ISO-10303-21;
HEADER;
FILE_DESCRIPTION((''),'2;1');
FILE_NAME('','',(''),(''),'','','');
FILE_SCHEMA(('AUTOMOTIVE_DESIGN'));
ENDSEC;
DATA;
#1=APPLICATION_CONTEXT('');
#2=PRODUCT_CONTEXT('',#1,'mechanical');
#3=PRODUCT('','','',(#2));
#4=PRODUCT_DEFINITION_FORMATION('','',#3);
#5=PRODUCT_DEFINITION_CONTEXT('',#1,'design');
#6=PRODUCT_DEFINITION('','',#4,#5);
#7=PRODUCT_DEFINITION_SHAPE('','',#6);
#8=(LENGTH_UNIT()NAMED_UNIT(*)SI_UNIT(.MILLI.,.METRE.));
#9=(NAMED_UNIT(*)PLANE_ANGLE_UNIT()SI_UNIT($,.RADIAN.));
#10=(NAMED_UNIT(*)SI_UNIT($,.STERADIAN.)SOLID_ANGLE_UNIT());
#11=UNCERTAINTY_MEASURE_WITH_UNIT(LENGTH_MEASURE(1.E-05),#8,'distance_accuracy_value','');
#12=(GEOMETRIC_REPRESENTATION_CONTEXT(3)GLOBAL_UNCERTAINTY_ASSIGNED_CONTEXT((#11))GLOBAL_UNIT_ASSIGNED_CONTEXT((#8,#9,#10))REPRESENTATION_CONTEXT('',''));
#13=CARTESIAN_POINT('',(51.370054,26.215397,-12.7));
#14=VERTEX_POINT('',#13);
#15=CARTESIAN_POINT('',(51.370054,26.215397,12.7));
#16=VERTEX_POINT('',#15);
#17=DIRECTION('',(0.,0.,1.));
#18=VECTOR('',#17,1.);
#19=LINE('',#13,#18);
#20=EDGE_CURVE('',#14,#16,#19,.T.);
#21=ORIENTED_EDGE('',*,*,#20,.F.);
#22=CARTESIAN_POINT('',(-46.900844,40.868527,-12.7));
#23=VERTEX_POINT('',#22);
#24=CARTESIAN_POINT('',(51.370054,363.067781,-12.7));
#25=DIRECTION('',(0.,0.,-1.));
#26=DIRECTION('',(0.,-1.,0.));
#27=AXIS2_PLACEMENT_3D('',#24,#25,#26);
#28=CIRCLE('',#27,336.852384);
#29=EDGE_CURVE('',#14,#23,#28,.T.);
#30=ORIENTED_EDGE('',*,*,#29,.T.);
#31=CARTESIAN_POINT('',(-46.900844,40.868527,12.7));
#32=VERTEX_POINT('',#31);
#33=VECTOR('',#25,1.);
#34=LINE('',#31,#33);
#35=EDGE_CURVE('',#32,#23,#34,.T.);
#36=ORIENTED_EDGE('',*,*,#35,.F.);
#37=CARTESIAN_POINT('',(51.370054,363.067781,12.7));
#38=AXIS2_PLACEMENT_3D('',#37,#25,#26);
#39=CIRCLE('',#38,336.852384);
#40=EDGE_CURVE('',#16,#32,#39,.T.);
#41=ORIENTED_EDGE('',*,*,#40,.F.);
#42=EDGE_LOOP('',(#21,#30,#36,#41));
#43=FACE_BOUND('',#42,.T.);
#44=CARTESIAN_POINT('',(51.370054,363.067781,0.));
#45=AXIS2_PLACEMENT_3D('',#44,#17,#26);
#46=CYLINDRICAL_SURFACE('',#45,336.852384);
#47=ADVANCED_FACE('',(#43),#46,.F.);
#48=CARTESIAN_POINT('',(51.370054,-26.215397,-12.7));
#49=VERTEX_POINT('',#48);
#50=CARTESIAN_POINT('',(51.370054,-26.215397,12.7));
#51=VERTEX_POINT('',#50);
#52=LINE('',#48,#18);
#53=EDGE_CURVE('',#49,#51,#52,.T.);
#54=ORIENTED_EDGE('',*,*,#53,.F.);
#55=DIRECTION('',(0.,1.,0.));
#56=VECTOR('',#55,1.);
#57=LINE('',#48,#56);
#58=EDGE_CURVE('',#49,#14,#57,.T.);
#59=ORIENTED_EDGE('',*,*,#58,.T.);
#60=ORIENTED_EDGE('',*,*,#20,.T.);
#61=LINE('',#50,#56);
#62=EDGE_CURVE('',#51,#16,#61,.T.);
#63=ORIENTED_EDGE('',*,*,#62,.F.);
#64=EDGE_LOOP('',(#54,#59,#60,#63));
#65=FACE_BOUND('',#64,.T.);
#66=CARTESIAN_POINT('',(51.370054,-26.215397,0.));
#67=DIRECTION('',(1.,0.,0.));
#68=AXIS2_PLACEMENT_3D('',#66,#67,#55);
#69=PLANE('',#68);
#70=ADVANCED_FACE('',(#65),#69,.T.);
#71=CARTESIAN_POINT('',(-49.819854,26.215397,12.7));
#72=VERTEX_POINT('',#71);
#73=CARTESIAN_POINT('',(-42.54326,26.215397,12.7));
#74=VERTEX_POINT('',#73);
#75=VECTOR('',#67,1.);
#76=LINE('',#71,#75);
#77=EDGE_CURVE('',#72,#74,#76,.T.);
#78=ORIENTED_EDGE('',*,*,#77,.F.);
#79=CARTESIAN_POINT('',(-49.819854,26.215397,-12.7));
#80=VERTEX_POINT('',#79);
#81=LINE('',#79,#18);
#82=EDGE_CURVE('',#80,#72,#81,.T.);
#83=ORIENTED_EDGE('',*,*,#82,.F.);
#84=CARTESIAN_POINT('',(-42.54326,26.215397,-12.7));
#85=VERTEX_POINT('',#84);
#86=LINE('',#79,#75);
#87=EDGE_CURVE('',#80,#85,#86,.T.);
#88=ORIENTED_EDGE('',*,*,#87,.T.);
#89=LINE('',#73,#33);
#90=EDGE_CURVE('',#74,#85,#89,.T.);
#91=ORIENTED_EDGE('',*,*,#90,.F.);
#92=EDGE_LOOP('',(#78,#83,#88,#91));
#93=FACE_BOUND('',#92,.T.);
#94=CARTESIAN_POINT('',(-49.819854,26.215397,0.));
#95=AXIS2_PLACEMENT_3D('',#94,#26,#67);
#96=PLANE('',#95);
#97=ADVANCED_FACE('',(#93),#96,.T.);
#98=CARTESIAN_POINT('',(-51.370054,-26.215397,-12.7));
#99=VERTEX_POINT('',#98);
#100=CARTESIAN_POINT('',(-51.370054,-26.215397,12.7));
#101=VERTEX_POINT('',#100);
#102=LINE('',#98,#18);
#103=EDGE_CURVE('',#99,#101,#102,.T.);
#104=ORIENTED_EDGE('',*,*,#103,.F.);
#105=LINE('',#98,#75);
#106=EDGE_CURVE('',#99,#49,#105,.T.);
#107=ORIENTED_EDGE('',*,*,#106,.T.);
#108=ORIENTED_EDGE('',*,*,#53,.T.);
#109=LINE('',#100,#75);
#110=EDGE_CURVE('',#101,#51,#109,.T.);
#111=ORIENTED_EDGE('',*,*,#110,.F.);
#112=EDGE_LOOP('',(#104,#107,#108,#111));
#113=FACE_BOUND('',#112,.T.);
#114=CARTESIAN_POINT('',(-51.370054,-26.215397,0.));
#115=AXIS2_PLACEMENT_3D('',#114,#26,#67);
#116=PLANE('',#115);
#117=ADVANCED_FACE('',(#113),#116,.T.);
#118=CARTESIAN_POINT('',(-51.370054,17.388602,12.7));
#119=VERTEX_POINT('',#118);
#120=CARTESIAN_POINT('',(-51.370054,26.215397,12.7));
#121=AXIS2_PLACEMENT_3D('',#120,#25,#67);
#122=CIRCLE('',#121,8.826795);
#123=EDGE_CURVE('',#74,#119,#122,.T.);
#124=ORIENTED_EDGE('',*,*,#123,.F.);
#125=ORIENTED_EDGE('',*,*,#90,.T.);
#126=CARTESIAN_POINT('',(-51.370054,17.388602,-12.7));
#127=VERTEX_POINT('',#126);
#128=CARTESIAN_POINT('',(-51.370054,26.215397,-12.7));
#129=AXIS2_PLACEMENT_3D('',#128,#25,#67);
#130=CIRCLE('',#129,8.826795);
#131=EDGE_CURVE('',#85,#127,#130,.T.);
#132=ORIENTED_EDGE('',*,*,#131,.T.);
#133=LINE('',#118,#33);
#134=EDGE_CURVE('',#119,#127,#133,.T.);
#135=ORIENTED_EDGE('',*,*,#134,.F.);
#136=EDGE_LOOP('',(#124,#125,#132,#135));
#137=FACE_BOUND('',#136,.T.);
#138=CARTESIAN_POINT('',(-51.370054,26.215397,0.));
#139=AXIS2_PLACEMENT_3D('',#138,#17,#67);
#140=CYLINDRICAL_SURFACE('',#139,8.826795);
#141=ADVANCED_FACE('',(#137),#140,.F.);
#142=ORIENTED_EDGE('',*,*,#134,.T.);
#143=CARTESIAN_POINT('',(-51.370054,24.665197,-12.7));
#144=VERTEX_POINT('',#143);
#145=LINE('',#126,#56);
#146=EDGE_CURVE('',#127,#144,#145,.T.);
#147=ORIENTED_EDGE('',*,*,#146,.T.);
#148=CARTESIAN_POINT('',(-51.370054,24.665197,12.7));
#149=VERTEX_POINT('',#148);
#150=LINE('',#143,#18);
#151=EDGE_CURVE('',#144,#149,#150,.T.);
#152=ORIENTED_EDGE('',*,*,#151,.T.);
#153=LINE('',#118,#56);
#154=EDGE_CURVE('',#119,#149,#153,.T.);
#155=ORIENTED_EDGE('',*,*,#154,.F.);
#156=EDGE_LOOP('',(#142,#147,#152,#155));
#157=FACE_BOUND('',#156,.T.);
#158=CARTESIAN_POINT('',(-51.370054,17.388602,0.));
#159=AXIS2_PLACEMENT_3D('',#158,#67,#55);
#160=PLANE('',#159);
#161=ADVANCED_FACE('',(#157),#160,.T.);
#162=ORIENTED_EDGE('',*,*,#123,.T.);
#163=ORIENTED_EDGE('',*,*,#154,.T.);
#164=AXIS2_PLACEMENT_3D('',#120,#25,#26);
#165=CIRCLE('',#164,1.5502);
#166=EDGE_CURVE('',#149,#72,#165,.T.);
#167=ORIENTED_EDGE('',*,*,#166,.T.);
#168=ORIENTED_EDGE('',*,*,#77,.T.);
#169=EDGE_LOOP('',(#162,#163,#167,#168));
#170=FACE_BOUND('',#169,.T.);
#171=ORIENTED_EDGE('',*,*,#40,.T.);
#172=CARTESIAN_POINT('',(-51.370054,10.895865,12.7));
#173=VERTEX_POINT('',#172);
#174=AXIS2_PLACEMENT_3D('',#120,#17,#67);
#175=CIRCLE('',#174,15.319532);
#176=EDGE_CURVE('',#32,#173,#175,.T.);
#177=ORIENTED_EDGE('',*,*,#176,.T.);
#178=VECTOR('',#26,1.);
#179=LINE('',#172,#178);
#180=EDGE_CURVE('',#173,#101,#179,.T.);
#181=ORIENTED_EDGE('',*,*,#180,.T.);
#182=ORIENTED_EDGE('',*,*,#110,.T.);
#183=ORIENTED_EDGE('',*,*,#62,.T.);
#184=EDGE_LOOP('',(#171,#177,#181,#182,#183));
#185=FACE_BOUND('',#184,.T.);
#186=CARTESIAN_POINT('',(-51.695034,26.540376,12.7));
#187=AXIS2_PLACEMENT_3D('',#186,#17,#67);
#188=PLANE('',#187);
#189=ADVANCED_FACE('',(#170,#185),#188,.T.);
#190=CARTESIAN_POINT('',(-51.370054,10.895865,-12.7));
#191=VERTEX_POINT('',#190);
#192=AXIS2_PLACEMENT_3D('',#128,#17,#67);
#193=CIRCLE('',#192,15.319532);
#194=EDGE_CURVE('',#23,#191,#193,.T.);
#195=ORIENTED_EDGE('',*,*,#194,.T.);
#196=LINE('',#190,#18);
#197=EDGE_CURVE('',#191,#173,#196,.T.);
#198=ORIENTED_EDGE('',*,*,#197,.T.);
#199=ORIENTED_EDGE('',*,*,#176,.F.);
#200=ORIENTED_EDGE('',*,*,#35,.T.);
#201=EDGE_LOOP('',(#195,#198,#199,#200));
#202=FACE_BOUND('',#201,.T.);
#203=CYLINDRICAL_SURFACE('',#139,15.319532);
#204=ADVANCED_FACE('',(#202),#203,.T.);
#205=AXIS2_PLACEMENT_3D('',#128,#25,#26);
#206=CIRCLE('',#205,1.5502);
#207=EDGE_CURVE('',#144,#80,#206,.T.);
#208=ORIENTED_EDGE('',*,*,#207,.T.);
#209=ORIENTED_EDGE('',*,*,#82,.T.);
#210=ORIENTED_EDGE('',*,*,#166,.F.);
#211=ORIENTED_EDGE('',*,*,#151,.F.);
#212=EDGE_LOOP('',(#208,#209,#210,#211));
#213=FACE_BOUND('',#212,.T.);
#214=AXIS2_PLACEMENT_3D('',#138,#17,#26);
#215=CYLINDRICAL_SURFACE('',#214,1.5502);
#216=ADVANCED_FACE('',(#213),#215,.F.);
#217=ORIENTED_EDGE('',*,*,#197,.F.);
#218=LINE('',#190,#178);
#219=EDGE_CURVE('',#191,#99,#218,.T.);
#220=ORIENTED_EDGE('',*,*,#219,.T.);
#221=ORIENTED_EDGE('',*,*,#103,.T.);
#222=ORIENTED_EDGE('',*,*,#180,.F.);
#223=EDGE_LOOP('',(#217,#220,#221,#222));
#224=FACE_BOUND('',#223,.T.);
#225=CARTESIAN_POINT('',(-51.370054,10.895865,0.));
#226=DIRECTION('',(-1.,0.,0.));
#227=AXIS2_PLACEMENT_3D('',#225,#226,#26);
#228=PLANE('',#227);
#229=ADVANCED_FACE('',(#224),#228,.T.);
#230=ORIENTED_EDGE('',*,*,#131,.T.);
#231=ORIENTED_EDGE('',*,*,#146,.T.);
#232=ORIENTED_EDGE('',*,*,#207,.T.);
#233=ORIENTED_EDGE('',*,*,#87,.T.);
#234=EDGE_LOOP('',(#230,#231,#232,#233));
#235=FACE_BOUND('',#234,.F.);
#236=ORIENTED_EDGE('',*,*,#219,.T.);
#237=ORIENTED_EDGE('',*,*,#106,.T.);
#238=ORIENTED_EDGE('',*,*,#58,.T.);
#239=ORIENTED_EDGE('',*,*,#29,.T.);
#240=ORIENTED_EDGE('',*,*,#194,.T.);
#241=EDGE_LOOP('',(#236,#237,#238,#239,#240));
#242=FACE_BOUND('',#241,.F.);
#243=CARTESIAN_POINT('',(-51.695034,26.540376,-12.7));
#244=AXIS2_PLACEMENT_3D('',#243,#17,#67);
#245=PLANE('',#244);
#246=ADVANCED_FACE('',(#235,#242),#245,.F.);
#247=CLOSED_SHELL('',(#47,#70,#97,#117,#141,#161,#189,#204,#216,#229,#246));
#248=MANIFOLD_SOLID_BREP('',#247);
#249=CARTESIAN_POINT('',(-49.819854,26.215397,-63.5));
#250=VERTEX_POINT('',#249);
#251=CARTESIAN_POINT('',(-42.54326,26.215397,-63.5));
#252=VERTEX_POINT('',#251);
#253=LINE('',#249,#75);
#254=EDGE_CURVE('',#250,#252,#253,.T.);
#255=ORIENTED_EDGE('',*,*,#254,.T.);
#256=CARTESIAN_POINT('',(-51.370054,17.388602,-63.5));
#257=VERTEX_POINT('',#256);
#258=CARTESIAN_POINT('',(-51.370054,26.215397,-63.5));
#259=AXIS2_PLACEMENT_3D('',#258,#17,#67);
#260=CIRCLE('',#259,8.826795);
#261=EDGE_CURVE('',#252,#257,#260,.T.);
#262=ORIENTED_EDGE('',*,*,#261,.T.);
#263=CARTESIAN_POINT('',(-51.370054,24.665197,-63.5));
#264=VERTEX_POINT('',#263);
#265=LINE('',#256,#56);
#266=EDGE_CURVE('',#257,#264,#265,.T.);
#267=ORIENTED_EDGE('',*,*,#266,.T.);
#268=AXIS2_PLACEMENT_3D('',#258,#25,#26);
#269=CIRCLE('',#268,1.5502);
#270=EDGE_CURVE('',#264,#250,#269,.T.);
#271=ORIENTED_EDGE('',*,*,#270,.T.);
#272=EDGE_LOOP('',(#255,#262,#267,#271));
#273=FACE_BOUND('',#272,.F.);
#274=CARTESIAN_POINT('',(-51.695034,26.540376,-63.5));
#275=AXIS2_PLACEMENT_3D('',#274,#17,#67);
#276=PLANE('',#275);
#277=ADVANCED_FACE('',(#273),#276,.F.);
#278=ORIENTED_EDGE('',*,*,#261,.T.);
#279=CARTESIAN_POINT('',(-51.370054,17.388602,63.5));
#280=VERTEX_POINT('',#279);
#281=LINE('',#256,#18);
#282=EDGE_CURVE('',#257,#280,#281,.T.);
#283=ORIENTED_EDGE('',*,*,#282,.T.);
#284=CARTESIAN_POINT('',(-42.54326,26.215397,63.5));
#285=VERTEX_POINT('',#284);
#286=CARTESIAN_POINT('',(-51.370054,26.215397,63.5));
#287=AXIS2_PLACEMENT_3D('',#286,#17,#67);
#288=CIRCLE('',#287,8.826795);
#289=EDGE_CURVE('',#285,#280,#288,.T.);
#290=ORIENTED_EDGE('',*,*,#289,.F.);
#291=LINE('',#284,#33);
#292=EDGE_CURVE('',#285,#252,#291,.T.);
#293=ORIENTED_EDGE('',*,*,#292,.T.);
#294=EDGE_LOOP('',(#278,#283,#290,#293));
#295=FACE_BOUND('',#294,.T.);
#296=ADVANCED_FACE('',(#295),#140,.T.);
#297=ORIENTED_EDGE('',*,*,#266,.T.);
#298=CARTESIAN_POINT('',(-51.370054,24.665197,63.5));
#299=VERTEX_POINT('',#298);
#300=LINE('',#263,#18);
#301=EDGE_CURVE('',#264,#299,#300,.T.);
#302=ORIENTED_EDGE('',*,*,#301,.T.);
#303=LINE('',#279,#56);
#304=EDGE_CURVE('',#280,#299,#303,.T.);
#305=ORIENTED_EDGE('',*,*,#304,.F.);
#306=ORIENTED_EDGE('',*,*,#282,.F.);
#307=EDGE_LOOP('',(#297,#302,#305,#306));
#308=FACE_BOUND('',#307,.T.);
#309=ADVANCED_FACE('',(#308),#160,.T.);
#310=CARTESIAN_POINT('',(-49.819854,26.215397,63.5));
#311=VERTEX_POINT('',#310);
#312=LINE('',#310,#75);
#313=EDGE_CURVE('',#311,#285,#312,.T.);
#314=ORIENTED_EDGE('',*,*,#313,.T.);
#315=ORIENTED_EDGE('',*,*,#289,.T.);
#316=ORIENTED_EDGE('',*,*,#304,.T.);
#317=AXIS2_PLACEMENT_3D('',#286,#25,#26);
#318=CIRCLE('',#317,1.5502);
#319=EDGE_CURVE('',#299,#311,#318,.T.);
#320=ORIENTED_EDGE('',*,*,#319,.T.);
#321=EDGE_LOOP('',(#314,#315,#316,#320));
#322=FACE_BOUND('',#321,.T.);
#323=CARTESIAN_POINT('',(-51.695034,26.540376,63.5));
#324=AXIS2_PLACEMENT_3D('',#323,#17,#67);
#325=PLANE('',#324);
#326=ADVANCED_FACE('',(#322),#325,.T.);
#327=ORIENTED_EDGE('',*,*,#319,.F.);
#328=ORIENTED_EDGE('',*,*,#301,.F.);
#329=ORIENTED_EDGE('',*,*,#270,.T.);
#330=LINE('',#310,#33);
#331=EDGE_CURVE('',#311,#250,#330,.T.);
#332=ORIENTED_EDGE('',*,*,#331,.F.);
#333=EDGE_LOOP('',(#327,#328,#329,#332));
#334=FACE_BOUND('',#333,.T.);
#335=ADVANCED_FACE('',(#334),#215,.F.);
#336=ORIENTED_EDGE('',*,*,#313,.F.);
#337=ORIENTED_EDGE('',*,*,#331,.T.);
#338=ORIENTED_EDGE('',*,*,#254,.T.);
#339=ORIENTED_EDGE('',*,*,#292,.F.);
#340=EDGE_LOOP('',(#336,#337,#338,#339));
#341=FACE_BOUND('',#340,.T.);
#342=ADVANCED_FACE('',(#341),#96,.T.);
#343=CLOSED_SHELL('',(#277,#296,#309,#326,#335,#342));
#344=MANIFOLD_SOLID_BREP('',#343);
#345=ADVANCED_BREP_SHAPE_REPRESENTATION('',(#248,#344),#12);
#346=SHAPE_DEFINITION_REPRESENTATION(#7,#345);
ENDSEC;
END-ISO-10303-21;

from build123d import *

# Parameters (mm, degrees)
F1_DEPTH = 12.7
F2_DEPTH = 63.5


with BuildPart() as f1:
    # F0 (on Top) → F1 (new body, symmetric)
    with BuildSketch(Plane.XY):
        with BuildLine():
            ThreePointArc((-42.5432599009, 26.2153968215), (-57.6115407888, 32.4568831269), (-51.3700544834, 17.388602239))
            Line((-51.3700544834, 17.388602239), (-51.3700544834, 24.6651966494))
            ThreePointArc((-51.3700544834, 24.6651966494), (-52.4662115373, 27.3115538754), (-49.8198543113, 26.2153968215))
            Line((-49.8198543113, 26.2153968215), (-42.5432599009, 26.2153968215))
        make_face()
        with BuildLine():
            Line((-51.3700544834, 17.388602239), (-51.3700544834, 10.8958645758))
            ThreePointArc((-51.3700544834, 10.8958645758), (-40.5375093479, 15.382851686), (-36.0505222377, 26.2153968215))
            Line((-36.0505222377, 26.2153968215), (-42.5432599009, 26.2153968215))
            ThreePointArc((-42.5432599009, 26.2153968215), (-45.128568178, 19.9739105161), (-51.3700544834, 17.388602239))
        make_face()
        with BuildLine():
            Line((-36.0505222377, 26.2153968215), (51.3700544834, 26.2153968215))
            ThreePointArc((51.3700544834, 26.2153968215), (1.6913776704, 29.8988181648), (-46.9008440242, 40.8685270706))
            ThreePointArc((-46.9008440242, 40.8685270706), (-39.0583876188, 35.3319162912), (-36.0505222377, 26.2153968215))
        make_face()
        with BuildLine():
            ThreePointArc((-46.9008440242, 40.8685270706), (-66.5220703489, 28.4747072113), (-51.3700544834, 10.8958645758))
            Line((-51.3700544834, 10.8958645758), (-51.3700544834, 17.388602239))
            ThreePointArc((-51.3700544834, 17.388602239), (-57.6115407888, 32.4568831269), (-42.5432599009, 26.2153968215))
            Line((-42.5432599009, 26.2153968215), (-36.0505222377, 26.2153968215))
            ThreePointArc((-36.0505222377, 26.2153968215), (-39.0583876188, 35.3319162912), (-46.9008440242, 40.8685270706))
        make_face()
        with BuildLine():
            Line((-51.3700544834, -26.2153968215), (51.3700544834, -26.2153968215))
            Line((51.3700544834, -26.2153968215), (51.3700544834, 26.2153968215))
            Line((51.3700544834, 26.2153968215), (-36.0505222377, 26.2153968215))
            ThreePointArc((-36.0505222377, 26.2153968215), (-40.5375093479, 15.382851686), (-51.3700544834, 10.8958645758))
            Line((-51.3700544834, 10.8958645758), (-51.3700544834, -26.2153968215))
        make_face()
    extrude(amount=F1_DEPTH, both=True)


with BuildPart() as f2:
    # F0 (on Top) → F2 (new body, symmetric)
    with BuildSketch(Plane.XY):
        with BuildLine():
            ThreePointArc((-42.5432599009, 26.2153968215), (-57.6115407888, 32.4568831269), (-51.3700544834, 17.388602239))
            Line((-51.3700544834, 17.388602239), (-51.3700544834, 24.6651966494))
            ThreePointArc((-51.3700544834, 24.6651966494), (-52.4662115373, 27.3115538754), (-49.8198543113, 26.2153968215))
            Line((-49.8198543113, 26.2153968215), (-42.5432599009, 26.2153968215))
        make_face()
    extrude(amount=F2_DEPTH, both=True)


solid = Compound([f1.part, f2.part])
